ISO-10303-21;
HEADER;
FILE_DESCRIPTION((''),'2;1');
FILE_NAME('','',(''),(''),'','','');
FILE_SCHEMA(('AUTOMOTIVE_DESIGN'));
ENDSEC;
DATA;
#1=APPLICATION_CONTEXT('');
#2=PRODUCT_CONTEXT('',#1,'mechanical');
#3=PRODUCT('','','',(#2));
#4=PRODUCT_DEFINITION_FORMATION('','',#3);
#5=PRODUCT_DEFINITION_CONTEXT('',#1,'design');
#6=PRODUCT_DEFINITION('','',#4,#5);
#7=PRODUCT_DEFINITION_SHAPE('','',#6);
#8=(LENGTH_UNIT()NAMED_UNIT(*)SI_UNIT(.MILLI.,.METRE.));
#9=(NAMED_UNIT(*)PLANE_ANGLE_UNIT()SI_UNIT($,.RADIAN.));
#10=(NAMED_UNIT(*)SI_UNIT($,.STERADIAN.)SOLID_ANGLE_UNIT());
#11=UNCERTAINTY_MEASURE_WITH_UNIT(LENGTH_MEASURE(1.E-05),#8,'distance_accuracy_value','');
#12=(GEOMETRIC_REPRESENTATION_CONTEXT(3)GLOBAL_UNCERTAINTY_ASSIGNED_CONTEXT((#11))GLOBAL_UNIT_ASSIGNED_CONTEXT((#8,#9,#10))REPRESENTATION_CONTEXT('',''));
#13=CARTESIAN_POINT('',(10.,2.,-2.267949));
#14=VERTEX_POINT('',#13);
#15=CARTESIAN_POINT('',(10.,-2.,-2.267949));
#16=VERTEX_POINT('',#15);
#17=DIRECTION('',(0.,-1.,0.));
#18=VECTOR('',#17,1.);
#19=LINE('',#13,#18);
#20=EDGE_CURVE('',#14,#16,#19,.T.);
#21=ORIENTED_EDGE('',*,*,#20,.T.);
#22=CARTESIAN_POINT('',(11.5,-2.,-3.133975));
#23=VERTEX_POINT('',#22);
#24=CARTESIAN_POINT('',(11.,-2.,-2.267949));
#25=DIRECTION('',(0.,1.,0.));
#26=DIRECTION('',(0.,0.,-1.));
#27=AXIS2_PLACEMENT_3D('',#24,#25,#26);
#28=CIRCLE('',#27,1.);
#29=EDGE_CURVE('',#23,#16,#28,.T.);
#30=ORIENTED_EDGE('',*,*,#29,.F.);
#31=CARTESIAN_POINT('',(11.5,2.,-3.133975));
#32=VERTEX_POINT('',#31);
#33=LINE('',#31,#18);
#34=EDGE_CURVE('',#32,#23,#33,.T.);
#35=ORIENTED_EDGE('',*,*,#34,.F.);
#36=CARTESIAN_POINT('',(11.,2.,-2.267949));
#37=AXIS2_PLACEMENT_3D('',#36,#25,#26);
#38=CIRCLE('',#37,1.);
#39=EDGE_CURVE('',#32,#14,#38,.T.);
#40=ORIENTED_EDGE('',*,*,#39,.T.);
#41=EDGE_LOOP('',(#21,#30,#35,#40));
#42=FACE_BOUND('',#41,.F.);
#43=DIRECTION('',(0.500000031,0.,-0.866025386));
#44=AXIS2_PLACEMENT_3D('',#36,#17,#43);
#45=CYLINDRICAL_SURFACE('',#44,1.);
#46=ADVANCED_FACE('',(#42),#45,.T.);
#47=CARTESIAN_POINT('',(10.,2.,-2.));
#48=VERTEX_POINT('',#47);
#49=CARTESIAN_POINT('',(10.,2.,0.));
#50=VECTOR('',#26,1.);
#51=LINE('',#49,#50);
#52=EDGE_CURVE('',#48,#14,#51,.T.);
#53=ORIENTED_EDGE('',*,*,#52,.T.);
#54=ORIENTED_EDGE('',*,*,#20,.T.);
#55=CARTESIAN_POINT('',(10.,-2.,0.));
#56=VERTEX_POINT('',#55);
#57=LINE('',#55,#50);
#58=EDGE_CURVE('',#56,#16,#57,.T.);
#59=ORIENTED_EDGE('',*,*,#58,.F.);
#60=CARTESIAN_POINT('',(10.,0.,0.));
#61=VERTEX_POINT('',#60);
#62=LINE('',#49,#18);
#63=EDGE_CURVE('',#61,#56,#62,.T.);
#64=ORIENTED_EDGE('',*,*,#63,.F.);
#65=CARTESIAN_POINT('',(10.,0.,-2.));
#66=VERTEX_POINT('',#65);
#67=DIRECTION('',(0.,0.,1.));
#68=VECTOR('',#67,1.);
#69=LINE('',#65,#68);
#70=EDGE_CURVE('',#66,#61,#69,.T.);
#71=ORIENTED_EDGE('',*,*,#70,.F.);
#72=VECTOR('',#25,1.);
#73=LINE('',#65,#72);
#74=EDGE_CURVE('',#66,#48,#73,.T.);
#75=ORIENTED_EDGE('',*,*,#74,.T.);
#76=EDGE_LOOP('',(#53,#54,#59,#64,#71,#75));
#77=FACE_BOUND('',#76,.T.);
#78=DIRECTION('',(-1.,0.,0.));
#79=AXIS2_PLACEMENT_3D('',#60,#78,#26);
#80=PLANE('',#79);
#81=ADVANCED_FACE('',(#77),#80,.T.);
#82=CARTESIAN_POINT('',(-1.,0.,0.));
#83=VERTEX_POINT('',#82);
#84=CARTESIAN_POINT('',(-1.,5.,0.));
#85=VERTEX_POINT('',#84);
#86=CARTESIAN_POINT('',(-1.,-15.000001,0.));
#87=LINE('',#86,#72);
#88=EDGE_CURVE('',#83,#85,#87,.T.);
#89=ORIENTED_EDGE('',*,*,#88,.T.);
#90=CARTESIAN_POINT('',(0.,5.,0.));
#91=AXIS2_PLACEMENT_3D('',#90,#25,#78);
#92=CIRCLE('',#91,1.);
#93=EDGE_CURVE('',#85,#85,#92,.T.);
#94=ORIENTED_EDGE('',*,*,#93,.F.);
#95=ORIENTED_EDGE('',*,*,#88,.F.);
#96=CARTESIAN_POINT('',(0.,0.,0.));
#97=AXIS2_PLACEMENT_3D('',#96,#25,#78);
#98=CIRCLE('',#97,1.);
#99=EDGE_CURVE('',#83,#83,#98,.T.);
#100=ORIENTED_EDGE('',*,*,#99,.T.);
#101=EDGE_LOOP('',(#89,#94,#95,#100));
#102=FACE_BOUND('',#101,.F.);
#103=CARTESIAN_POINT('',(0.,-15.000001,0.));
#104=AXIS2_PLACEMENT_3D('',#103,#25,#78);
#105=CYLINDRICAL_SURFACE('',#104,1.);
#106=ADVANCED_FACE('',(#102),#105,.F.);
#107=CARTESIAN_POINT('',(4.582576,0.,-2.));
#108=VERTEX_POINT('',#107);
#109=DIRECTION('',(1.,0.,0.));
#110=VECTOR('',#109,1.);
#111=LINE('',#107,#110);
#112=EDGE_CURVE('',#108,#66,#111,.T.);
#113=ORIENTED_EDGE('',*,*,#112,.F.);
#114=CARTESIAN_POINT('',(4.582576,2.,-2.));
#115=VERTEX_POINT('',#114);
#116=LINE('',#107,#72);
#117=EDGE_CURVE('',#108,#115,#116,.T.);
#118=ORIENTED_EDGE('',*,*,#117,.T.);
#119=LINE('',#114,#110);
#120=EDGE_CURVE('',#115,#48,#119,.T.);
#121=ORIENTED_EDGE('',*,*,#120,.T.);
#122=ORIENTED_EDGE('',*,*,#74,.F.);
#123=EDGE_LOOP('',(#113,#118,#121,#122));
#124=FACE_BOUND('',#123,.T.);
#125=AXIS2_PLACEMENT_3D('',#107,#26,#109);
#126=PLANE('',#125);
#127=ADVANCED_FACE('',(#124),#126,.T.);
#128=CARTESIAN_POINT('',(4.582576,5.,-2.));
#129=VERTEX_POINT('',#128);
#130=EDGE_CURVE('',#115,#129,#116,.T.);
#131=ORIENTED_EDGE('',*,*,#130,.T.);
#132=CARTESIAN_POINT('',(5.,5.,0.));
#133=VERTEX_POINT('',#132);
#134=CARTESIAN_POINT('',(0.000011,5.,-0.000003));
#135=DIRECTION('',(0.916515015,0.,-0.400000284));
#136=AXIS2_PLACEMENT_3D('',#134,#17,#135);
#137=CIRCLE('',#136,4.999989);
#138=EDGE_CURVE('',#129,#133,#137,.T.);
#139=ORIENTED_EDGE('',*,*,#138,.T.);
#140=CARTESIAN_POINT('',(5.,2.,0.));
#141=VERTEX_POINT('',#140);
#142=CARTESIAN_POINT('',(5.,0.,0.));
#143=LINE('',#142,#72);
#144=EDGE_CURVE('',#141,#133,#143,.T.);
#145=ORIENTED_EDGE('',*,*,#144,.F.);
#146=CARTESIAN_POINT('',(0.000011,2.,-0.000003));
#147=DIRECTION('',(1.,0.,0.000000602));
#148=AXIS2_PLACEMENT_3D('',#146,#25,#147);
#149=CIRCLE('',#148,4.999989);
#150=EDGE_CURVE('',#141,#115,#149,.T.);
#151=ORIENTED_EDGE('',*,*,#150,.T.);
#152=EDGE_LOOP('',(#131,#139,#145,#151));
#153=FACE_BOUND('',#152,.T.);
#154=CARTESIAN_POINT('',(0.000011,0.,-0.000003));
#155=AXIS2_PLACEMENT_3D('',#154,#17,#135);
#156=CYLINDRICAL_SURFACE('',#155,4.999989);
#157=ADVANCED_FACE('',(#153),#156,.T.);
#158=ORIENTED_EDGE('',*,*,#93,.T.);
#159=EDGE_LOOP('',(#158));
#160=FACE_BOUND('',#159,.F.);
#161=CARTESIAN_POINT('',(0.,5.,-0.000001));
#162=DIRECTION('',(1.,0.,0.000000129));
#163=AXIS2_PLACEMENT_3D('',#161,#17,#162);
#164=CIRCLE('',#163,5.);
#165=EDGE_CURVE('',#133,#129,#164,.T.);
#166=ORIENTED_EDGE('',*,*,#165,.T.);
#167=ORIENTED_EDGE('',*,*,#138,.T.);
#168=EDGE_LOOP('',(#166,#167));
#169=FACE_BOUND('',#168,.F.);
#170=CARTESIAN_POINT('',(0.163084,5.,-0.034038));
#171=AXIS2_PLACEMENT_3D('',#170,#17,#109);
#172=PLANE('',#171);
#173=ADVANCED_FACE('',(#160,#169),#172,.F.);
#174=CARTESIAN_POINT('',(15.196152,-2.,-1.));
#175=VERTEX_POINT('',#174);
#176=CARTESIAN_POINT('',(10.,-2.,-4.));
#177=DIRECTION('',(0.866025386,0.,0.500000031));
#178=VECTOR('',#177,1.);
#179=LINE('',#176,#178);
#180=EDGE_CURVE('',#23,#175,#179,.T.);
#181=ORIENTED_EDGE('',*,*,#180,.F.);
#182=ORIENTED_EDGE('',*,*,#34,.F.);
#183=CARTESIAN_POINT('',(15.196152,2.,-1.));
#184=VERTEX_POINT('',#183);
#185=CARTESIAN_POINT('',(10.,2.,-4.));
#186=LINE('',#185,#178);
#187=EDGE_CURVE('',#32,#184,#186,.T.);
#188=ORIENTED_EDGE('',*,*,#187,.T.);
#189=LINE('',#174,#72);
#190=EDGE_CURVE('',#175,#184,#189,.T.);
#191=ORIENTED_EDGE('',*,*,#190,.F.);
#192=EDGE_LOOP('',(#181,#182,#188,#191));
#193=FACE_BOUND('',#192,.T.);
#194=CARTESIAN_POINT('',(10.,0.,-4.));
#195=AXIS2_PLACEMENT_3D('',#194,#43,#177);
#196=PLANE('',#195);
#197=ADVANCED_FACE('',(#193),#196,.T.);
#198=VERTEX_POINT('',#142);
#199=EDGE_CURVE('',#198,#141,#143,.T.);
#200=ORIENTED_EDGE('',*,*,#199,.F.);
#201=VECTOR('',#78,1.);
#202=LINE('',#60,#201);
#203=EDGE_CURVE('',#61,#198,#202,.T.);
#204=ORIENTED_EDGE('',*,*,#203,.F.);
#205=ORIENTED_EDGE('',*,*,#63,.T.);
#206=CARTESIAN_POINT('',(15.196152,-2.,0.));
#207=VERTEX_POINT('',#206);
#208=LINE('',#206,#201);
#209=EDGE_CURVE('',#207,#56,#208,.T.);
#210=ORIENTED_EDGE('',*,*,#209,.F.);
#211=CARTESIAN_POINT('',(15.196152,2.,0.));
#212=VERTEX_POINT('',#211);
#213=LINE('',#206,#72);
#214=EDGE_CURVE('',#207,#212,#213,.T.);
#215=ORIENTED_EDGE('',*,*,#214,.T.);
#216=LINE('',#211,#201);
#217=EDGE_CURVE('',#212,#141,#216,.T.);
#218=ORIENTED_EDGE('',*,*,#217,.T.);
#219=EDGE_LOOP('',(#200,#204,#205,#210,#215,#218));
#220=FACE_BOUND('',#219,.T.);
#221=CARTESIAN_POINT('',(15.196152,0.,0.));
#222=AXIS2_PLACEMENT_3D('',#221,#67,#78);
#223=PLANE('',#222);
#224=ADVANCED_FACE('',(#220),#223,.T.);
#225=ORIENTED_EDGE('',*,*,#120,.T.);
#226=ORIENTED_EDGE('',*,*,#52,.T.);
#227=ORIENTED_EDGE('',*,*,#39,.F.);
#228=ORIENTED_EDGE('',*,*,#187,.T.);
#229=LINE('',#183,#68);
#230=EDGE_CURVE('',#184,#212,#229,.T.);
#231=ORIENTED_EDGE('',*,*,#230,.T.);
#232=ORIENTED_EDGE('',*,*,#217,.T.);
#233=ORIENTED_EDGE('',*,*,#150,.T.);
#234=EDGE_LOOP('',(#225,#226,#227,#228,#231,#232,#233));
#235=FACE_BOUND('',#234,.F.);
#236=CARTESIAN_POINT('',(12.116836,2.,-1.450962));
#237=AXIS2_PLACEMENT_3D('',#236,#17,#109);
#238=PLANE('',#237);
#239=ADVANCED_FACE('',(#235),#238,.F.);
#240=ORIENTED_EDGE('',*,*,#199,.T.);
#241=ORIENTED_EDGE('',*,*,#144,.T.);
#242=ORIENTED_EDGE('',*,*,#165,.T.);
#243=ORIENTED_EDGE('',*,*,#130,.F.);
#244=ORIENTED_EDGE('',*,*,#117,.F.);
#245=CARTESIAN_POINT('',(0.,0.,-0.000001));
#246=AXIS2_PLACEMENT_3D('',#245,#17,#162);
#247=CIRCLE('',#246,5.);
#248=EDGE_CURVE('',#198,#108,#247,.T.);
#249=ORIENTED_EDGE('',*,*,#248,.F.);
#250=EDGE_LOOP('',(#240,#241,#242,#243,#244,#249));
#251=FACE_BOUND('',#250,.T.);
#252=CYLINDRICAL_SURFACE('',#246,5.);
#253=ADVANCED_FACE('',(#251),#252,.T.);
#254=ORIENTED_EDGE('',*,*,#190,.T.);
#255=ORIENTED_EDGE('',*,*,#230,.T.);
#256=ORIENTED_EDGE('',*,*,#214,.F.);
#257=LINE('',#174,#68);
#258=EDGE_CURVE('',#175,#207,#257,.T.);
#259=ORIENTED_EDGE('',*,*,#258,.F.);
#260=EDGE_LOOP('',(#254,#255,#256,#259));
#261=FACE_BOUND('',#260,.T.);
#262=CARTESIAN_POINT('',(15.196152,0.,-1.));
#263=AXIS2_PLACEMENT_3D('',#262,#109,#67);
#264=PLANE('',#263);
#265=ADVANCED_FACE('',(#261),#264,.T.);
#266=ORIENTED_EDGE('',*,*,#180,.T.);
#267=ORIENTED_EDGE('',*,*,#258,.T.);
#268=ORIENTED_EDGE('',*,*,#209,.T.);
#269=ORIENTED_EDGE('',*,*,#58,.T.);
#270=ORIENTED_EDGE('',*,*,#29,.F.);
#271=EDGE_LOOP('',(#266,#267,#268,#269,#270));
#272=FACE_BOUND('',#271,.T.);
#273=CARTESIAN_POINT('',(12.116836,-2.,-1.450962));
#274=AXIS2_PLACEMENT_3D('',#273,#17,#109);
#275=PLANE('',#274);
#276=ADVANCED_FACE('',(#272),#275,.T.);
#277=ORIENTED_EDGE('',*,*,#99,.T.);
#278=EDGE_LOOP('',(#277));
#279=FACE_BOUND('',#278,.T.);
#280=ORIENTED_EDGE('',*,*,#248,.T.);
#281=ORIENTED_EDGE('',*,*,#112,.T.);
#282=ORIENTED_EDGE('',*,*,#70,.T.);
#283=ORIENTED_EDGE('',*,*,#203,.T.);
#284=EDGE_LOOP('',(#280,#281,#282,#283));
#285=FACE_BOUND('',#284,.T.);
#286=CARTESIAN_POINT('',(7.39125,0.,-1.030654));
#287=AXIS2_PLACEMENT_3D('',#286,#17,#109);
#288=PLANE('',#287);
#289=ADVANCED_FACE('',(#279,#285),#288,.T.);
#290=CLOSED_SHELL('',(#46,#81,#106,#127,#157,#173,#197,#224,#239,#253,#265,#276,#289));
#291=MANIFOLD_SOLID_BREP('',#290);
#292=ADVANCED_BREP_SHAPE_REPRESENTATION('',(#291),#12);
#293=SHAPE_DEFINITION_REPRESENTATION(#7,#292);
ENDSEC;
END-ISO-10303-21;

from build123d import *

# Parameters (mm, degrees)
F1_DEPTH = 5
F2_D     = 2
F3_DEPTH = 2
F4_DEPTH = 2
F5_R     = 1


with BuildPart() as f1:
    # F0 (on Front) → F1 (new body)
    with BuildSketch(Plane.XZ):
        with BuildLine():
            ThreePointArc((4.582576, -2), (4.894532, -1.021548), (5, 0))
            ThreePointArc((5, 0), (-4.894532, 1.021548), (4.582576, -2))
        make_face()
    extrude(amount=-F1_DEPTH)

    # F2 (through all)
    with Locations(Plane.XZ):
        with Locations((0, 0)):
            Hole(F2_D / 2)

    # F0 (on Front) → F3 (join)
    with BuildSketch(Plane.XZ):
        with BuildLine():
            Line((10, 0), (5, 0))
            ThreePointArc((5, 0), (4.894532, -1.021548), (4.582576, -2))
            Line((4.582576, -2), (10, -2))
            Line((10, -2), (10, 0))
        make_face()
    extrude(amount=-F3_DEPTH)

    # F0 (on Front) → F4 (join, symmetric)
    with BuildSketch(Plane.XZ):
        Polygon((15.196152, 0), (10, 0), (10, -2), (10, -4), (15.196152, -1), align=None)
    extrude(amount=F4_DEPTH, both=True)

    # F5
    f5_edges = [f1.edges().sort_by_distance(p)[0] for p in [
        (10, 0, -4),
    ]]
    fillet(f5_edges, radius=F5_R)


solid = f1.part
